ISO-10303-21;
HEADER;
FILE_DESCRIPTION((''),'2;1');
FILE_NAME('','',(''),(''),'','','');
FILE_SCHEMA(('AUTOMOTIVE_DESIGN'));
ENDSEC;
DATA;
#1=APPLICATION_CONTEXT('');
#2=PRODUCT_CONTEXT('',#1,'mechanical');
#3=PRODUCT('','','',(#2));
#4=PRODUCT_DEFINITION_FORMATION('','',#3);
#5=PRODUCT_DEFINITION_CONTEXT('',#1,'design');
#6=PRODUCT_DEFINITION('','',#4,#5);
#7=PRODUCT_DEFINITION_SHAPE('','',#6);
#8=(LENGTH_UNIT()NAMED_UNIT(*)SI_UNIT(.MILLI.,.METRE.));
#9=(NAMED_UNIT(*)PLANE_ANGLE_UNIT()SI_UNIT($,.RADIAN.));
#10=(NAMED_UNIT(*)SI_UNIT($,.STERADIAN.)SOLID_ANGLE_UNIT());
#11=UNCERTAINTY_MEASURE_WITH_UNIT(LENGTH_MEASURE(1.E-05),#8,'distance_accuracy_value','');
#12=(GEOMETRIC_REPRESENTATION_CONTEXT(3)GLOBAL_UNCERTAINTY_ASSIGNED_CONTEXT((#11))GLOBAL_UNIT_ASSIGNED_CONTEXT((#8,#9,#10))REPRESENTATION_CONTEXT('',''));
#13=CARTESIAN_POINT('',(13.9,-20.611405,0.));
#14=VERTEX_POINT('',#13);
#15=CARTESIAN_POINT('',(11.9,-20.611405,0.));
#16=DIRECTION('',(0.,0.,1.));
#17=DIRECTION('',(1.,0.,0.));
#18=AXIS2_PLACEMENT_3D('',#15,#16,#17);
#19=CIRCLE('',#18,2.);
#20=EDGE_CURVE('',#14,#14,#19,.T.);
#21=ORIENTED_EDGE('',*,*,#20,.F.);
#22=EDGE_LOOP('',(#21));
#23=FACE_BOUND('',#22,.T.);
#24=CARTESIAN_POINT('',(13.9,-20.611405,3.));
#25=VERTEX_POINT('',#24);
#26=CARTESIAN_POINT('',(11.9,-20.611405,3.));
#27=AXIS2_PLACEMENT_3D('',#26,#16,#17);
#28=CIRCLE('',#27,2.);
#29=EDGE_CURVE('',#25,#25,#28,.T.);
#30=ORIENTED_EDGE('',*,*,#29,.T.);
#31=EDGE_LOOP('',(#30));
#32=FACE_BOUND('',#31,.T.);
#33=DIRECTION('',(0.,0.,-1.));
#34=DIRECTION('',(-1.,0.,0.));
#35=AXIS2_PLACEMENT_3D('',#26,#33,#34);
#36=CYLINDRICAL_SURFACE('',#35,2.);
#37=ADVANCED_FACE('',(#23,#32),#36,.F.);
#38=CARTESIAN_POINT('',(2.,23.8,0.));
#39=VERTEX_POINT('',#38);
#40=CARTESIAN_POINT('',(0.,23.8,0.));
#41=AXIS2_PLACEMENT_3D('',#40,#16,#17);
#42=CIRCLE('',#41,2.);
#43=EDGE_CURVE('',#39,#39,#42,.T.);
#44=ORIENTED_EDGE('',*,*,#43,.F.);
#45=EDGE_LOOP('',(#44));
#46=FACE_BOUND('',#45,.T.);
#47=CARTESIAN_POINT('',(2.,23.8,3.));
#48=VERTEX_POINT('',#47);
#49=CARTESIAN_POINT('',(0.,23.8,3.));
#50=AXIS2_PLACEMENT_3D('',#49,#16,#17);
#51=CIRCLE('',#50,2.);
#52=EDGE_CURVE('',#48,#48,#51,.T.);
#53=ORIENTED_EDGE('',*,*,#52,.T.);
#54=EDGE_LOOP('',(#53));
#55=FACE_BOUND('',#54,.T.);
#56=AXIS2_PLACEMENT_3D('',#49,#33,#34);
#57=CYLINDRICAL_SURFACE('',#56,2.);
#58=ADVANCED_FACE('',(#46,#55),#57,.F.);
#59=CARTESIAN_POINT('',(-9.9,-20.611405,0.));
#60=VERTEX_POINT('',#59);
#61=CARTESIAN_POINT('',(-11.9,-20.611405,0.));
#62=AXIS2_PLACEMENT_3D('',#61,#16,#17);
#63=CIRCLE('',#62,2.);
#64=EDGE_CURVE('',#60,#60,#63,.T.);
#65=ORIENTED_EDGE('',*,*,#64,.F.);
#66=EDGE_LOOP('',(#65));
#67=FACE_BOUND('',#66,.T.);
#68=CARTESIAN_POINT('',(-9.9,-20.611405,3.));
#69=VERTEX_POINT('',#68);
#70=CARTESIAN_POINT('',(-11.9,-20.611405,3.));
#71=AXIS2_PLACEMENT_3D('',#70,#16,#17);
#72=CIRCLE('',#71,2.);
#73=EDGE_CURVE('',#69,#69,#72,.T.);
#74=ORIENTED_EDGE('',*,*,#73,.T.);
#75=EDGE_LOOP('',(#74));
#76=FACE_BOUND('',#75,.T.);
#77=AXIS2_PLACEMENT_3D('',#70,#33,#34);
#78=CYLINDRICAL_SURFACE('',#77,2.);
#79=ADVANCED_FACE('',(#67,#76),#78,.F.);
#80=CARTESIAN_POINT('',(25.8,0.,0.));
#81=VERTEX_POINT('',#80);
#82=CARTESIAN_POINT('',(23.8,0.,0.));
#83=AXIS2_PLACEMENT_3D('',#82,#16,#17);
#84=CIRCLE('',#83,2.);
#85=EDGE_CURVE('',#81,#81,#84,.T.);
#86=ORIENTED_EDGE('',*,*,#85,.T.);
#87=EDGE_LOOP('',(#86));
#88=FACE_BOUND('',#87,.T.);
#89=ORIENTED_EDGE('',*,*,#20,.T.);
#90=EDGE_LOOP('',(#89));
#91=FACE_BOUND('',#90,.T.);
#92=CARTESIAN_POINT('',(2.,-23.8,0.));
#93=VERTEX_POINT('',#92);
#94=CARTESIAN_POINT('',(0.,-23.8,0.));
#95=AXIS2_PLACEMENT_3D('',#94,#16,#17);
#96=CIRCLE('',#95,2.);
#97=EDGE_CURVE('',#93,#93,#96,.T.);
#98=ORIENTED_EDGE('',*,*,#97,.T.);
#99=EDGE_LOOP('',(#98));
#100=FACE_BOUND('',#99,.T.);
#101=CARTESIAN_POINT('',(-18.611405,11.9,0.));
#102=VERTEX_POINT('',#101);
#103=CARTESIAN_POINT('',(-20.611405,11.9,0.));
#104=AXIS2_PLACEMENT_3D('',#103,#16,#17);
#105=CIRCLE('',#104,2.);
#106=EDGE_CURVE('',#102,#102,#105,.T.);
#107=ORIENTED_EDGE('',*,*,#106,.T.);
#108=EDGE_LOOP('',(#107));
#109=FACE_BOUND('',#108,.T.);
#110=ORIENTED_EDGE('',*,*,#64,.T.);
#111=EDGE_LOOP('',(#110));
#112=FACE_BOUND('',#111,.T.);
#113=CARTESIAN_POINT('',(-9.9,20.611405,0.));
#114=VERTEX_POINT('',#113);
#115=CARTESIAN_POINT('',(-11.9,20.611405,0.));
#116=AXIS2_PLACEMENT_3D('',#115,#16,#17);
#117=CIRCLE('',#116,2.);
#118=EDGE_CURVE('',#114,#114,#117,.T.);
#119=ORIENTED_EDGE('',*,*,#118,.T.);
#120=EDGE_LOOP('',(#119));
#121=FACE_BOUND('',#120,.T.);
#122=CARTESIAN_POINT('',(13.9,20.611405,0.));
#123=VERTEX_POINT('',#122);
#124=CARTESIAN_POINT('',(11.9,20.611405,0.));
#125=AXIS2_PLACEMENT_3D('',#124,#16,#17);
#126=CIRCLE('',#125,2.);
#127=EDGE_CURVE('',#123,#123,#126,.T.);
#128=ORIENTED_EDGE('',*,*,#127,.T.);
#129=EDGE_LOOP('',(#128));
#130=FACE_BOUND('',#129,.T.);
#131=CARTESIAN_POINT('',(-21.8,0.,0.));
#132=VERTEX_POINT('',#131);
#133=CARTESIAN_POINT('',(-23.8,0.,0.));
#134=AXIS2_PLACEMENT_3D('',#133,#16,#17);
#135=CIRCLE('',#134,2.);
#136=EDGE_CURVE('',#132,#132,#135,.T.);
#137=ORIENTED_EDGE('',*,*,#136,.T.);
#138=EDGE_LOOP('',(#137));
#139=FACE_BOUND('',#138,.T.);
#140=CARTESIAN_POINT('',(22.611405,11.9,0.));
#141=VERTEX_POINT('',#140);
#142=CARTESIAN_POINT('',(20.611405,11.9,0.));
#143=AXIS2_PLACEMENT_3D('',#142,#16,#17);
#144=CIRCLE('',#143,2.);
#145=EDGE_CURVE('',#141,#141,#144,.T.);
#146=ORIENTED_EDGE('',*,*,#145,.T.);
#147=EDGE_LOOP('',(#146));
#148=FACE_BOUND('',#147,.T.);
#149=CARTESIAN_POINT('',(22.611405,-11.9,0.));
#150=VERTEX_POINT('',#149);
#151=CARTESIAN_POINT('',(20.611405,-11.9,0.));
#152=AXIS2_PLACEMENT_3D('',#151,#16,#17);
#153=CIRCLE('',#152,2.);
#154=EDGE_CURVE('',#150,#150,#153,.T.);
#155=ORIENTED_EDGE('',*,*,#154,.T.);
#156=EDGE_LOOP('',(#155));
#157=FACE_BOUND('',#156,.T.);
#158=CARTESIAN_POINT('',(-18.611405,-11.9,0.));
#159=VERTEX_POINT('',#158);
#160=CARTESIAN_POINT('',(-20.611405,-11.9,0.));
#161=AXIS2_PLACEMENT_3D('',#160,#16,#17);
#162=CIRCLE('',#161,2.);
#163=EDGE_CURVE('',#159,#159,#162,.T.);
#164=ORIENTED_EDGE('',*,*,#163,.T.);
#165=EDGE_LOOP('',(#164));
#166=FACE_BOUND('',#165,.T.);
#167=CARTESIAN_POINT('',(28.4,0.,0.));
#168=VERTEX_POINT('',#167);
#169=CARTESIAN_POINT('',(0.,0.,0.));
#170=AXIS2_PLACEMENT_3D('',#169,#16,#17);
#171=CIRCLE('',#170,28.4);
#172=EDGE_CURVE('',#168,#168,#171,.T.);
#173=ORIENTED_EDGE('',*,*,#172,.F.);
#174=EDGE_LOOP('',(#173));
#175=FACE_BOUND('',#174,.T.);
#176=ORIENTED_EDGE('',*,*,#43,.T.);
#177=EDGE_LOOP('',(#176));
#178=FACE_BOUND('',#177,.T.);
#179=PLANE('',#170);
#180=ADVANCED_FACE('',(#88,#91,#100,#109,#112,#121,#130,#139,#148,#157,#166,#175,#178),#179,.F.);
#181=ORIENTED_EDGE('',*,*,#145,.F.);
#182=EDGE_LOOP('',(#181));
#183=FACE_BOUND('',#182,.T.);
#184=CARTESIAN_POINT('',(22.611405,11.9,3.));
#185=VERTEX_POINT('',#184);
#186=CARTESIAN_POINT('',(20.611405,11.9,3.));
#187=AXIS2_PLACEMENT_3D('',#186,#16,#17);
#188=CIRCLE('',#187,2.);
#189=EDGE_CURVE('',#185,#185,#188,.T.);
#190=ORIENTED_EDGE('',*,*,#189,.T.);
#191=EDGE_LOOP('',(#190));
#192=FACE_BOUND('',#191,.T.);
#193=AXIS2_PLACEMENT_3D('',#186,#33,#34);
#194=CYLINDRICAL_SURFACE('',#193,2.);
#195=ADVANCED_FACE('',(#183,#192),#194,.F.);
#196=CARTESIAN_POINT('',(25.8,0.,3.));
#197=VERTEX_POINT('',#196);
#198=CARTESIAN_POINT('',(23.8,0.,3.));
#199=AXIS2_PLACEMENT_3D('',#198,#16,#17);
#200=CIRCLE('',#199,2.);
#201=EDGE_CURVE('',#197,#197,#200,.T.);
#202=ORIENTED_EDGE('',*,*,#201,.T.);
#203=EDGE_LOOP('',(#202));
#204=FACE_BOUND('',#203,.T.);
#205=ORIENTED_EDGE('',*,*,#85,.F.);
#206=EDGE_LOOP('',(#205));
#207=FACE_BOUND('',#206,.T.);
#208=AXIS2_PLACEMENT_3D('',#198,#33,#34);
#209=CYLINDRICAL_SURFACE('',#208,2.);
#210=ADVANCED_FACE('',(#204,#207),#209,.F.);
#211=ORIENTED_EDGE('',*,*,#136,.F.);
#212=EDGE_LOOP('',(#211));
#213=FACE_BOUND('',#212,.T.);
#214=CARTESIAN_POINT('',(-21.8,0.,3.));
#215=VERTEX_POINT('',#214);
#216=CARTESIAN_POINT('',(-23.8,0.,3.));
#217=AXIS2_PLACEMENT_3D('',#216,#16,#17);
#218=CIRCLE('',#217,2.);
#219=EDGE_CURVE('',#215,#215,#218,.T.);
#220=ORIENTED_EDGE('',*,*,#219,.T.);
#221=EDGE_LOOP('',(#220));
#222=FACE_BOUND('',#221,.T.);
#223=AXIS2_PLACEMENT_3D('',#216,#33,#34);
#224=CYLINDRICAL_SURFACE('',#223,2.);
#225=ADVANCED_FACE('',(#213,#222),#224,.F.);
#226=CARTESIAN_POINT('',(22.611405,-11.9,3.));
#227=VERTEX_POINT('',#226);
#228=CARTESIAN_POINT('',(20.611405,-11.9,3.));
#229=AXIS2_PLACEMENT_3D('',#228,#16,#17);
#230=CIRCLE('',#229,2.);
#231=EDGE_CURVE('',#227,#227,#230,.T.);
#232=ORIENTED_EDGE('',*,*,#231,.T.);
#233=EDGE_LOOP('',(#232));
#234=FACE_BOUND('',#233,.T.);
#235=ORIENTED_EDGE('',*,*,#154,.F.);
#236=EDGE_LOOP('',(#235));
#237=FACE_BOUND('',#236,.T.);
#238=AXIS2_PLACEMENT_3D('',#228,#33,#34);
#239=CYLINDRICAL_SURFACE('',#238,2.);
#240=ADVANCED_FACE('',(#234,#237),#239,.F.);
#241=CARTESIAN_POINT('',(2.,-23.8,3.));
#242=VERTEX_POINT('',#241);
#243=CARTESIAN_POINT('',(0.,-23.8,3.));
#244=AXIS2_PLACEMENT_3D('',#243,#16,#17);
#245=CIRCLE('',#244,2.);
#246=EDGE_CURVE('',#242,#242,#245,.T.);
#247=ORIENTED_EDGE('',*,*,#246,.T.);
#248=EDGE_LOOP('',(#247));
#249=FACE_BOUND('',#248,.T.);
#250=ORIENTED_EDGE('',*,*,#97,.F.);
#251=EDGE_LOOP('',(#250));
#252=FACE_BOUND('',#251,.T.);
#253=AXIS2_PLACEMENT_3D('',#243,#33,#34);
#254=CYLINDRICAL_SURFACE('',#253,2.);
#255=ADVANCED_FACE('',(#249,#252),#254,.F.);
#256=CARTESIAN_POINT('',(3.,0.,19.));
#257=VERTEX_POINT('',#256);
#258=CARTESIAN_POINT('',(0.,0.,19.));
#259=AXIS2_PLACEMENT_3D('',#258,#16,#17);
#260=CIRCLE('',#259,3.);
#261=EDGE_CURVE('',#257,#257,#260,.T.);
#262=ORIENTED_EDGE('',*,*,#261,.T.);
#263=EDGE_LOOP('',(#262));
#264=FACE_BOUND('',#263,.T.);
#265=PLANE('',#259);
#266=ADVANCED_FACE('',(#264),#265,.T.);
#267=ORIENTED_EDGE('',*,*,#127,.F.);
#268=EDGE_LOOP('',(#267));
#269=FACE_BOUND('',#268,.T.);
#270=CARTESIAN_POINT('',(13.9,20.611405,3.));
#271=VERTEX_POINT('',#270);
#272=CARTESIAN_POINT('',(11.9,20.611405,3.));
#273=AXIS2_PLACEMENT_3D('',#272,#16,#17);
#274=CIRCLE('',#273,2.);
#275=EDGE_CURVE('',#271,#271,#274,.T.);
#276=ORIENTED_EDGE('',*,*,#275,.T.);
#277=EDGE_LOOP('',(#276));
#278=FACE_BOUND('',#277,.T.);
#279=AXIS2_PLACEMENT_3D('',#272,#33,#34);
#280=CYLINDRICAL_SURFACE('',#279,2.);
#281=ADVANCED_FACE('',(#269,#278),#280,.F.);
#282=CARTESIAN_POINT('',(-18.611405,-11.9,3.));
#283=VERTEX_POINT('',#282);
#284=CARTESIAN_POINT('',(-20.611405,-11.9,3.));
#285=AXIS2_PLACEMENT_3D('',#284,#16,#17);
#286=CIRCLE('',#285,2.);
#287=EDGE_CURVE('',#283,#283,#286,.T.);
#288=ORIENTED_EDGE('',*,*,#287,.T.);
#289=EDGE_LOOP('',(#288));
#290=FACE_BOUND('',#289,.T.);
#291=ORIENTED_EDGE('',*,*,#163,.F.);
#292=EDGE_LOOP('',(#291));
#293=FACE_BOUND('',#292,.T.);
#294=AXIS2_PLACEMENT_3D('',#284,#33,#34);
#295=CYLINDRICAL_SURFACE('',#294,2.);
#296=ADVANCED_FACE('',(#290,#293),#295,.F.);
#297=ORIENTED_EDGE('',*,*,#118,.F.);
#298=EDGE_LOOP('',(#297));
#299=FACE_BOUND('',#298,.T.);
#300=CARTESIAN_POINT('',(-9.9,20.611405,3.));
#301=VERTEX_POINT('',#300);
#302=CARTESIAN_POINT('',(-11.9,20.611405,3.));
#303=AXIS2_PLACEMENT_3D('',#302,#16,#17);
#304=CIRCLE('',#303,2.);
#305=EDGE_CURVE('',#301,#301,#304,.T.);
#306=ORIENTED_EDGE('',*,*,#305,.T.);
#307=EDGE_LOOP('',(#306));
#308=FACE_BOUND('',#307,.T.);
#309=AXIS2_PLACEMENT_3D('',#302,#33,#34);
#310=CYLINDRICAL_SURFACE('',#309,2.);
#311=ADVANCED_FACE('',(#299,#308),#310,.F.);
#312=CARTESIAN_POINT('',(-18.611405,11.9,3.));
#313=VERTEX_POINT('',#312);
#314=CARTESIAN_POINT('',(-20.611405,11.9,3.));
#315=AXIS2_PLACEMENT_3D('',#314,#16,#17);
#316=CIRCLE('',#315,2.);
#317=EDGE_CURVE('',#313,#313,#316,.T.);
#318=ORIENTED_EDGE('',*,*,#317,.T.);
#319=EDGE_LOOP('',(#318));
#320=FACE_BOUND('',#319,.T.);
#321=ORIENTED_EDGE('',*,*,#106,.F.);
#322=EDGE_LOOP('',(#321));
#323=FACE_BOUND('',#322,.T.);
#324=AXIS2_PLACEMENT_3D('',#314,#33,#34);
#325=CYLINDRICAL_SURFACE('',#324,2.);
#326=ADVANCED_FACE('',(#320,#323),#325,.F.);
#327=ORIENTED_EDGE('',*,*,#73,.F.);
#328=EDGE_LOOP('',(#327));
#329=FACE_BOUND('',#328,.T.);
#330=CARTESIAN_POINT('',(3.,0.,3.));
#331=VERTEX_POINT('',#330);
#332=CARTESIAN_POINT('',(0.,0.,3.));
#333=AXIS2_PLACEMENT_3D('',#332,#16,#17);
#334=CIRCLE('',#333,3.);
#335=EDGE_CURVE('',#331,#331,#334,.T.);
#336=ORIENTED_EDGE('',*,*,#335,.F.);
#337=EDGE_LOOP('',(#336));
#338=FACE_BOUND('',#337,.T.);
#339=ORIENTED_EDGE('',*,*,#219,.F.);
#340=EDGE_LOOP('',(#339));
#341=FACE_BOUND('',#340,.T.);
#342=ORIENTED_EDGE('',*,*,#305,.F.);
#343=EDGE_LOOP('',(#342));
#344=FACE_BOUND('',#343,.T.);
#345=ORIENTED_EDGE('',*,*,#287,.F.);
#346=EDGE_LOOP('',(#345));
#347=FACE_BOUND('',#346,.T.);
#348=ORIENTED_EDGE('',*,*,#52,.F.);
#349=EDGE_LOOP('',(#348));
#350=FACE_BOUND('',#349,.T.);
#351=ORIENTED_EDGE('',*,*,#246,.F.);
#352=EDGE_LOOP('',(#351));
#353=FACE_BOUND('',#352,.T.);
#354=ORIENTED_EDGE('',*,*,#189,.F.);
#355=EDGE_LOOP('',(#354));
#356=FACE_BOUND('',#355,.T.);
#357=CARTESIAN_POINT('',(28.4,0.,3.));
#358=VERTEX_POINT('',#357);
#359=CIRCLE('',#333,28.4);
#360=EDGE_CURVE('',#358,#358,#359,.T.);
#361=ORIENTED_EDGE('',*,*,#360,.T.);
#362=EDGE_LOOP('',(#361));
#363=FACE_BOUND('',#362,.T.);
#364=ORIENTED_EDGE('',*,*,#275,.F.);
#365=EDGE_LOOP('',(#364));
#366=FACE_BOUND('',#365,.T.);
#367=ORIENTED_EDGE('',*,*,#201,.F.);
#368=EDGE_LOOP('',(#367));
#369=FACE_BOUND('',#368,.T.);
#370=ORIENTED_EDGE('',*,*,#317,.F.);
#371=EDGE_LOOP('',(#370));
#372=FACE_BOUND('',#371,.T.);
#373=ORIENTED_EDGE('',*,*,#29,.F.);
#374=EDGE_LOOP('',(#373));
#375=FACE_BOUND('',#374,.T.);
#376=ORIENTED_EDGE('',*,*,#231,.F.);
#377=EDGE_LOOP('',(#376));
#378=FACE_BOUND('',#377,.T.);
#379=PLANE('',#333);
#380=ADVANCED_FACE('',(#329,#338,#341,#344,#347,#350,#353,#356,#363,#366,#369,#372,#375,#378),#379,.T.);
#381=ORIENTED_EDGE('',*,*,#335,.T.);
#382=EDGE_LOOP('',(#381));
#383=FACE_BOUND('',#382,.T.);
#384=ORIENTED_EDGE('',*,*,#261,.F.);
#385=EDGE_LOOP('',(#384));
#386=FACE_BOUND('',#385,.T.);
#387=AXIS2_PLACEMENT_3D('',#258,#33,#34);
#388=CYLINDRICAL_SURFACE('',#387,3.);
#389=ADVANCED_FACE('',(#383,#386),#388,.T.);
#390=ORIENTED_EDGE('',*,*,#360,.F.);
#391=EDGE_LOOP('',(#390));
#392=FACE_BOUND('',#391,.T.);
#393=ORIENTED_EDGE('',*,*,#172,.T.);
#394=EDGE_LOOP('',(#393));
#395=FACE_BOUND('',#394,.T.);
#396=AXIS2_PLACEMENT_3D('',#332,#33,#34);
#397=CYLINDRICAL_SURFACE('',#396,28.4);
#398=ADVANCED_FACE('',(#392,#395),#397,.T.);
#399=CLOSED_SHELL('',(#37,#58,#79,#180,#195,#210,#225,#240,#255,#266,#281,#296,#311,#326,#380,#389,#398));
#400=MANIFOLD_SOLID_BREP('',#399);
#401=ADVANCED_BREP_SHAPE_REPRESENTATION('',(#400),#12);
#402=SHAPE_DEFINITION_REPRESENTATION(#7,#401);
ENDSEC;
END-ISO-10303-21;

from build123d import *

# Parameters (mm, degrees)
SKETCH1_R           = 28.4
SKETCH1_R_2         = 2
BOSS_EXTRUDE1_DEPTH = 3
SKETCH2_R           = 3
BOSS_EXTRUDE2_DEPTH = 16


with BuildPart() as part:
    # Sketch1 → Boss-Extrude1 (new body)
    with BuildSketch(Plane.XY):
        Circle(SKETCH1_R)
        with Locations((23.8, 0)):
            Circle(SKETCH1_R_2, mode=Mode.SUBTRACT)
        with Locations((20.61140461, -11.9)):
            Circle(SKETCH1_R_2, mode=Mode.SUBTRACT)
        with Locations((11.9, -20.61140461)):
            Circle(SKETCH1_R_2, mode=Mode.SUBTRACT)
        with Locations((0, -23.8)):
            Circle(SKETCH1_R_2, mode=Mode.SUBTRACT)
        with Locations((-11.9, -20.61140461)):
            Circle(SKETCH1_R_2, mode=Mode.SUBTRACT)
        with Locations((-20.61140461, -11.9)):
            Circle(SKETCH1_R_2, mode=Mode.SUBTRACT)
        with Locations((-23.8, 0)):
            Circle(SKETCH1_R_2, mode=Mode.SUBTRACT)
        with Locations((-20.61140461, 11.9)):
            Circle(SKETCH1_R_2, mode=Mode.SUBTRACT)
        with Locations((-11.9, 20.61140461)):
            Circle(SKETCH1_R_2, mode=Mode.SUBTRACT)
        with Locations((0, 23.8)):
            Circle(SKETCH1_R_2, mode=Mode.SUBTRACT)
        with Locations((11.9, 20.61140461)):
            Circle(SKETCH1_R_2, mode=Mode.SUBTRACT)
        with Locations((20.61140461, 11.9)):
            Circle(SKETCH1_R_2, mode=Mode.SUBTRACT)
    extrude(amount=BOSS_EXTRUDE1_DEPTH)

    # Sketch2 → Boss-Extrude2 (add)
    with BuildSketch(Plane.XY.offset(3)):
        Circle(SKETCH2_R)
    extrude(amount=BOSS_EXTRUDE2_DEPTH)


solid = part.part
